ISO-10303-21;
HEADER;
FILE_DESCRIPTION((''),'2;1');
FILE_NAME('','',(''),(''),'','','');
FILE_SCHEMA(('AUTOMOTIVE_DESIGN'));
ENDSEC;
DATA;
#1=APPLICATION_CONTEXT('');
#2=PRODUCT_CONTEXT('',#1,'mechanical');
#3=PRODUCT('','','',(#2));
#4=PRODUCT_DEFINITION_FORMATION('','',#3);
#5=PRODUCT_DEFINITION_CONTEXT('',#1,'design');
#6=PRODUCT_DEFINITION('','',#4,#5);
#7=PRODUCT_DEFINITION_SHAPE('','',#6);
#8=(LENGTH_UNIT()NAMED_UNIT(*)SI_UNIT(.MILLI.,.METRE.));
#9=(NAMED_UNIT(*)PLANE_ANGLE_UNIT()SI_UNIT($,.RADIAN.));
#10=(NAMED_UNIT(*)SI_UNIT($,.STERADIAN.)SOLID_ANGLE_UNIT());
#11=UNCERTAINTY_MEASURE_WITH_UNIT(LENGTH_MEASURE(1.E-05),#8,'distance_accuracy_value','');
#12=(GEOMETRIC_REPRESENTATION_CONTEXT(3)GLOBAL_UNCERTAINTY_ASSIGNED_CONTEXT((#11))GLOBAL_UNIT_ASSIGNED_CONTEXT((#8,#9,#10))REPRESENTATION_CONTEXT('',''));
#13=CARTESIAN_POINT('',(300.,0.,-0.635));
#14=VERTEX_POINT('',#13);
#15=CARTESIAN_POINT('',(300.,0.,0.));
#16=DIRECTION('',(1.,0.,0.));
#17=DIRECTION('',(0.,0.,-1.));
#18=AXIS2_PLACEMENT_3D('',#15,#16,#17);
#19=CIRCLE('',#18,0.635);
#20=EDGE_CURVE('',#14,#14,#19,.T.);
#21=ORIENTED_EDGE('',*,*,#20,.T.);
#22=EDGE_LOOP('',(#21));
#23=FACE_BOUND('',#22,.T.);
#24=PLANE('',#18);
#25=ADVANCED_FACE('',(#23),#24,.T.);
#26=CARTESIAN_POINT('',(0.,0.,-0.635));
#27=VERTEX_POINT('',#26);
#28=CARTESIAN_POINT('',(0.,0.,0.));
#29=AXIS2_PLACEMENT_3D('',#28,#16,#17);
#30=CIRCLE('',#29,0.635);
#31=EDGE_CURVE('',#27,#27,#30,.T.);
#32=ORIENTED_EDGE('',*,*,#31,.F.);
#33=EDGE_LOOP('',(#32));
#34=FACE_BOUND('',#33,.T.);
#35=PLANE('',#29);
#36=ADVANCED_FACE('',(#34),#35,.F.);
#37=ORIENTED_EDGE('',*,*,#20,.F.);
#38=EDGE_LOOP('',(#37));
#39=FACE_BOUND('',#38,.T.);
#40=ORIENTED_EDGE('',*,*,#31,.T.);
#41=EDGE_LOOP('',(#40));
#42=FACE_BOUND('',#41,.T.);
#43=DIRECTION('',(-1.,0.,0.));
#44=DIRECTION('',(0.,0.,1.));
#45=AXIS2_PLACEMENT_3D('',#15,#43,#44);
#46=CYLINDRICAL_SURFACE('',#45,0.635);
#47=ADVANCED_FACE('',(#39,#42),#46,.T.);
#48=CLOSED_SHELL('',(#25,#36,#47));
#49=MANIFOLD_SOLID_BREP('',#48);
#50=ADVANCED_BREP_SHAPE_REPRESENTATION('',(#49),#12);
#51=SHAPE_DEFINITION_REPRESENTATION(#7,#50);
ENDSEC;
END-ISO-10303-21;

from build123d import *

# Parameters (mm, degrees)
SKETCH1_R           = 0.635
BOSS_EXTRUDE1_DEPTH = 300


with BuildPart() as part:
    # Sketch1 → Boss-Extrude1 (new body)
    with BuildSketch(Plane(origin=(0, 0, 0), x_dir=(0, 0, -1), z_dir=(1, 0, 0))):
        Circle(SKETCH1_R)
    extrude(amount=BOSS_EXTRUDE1_DEPTH)


solid = part.part
